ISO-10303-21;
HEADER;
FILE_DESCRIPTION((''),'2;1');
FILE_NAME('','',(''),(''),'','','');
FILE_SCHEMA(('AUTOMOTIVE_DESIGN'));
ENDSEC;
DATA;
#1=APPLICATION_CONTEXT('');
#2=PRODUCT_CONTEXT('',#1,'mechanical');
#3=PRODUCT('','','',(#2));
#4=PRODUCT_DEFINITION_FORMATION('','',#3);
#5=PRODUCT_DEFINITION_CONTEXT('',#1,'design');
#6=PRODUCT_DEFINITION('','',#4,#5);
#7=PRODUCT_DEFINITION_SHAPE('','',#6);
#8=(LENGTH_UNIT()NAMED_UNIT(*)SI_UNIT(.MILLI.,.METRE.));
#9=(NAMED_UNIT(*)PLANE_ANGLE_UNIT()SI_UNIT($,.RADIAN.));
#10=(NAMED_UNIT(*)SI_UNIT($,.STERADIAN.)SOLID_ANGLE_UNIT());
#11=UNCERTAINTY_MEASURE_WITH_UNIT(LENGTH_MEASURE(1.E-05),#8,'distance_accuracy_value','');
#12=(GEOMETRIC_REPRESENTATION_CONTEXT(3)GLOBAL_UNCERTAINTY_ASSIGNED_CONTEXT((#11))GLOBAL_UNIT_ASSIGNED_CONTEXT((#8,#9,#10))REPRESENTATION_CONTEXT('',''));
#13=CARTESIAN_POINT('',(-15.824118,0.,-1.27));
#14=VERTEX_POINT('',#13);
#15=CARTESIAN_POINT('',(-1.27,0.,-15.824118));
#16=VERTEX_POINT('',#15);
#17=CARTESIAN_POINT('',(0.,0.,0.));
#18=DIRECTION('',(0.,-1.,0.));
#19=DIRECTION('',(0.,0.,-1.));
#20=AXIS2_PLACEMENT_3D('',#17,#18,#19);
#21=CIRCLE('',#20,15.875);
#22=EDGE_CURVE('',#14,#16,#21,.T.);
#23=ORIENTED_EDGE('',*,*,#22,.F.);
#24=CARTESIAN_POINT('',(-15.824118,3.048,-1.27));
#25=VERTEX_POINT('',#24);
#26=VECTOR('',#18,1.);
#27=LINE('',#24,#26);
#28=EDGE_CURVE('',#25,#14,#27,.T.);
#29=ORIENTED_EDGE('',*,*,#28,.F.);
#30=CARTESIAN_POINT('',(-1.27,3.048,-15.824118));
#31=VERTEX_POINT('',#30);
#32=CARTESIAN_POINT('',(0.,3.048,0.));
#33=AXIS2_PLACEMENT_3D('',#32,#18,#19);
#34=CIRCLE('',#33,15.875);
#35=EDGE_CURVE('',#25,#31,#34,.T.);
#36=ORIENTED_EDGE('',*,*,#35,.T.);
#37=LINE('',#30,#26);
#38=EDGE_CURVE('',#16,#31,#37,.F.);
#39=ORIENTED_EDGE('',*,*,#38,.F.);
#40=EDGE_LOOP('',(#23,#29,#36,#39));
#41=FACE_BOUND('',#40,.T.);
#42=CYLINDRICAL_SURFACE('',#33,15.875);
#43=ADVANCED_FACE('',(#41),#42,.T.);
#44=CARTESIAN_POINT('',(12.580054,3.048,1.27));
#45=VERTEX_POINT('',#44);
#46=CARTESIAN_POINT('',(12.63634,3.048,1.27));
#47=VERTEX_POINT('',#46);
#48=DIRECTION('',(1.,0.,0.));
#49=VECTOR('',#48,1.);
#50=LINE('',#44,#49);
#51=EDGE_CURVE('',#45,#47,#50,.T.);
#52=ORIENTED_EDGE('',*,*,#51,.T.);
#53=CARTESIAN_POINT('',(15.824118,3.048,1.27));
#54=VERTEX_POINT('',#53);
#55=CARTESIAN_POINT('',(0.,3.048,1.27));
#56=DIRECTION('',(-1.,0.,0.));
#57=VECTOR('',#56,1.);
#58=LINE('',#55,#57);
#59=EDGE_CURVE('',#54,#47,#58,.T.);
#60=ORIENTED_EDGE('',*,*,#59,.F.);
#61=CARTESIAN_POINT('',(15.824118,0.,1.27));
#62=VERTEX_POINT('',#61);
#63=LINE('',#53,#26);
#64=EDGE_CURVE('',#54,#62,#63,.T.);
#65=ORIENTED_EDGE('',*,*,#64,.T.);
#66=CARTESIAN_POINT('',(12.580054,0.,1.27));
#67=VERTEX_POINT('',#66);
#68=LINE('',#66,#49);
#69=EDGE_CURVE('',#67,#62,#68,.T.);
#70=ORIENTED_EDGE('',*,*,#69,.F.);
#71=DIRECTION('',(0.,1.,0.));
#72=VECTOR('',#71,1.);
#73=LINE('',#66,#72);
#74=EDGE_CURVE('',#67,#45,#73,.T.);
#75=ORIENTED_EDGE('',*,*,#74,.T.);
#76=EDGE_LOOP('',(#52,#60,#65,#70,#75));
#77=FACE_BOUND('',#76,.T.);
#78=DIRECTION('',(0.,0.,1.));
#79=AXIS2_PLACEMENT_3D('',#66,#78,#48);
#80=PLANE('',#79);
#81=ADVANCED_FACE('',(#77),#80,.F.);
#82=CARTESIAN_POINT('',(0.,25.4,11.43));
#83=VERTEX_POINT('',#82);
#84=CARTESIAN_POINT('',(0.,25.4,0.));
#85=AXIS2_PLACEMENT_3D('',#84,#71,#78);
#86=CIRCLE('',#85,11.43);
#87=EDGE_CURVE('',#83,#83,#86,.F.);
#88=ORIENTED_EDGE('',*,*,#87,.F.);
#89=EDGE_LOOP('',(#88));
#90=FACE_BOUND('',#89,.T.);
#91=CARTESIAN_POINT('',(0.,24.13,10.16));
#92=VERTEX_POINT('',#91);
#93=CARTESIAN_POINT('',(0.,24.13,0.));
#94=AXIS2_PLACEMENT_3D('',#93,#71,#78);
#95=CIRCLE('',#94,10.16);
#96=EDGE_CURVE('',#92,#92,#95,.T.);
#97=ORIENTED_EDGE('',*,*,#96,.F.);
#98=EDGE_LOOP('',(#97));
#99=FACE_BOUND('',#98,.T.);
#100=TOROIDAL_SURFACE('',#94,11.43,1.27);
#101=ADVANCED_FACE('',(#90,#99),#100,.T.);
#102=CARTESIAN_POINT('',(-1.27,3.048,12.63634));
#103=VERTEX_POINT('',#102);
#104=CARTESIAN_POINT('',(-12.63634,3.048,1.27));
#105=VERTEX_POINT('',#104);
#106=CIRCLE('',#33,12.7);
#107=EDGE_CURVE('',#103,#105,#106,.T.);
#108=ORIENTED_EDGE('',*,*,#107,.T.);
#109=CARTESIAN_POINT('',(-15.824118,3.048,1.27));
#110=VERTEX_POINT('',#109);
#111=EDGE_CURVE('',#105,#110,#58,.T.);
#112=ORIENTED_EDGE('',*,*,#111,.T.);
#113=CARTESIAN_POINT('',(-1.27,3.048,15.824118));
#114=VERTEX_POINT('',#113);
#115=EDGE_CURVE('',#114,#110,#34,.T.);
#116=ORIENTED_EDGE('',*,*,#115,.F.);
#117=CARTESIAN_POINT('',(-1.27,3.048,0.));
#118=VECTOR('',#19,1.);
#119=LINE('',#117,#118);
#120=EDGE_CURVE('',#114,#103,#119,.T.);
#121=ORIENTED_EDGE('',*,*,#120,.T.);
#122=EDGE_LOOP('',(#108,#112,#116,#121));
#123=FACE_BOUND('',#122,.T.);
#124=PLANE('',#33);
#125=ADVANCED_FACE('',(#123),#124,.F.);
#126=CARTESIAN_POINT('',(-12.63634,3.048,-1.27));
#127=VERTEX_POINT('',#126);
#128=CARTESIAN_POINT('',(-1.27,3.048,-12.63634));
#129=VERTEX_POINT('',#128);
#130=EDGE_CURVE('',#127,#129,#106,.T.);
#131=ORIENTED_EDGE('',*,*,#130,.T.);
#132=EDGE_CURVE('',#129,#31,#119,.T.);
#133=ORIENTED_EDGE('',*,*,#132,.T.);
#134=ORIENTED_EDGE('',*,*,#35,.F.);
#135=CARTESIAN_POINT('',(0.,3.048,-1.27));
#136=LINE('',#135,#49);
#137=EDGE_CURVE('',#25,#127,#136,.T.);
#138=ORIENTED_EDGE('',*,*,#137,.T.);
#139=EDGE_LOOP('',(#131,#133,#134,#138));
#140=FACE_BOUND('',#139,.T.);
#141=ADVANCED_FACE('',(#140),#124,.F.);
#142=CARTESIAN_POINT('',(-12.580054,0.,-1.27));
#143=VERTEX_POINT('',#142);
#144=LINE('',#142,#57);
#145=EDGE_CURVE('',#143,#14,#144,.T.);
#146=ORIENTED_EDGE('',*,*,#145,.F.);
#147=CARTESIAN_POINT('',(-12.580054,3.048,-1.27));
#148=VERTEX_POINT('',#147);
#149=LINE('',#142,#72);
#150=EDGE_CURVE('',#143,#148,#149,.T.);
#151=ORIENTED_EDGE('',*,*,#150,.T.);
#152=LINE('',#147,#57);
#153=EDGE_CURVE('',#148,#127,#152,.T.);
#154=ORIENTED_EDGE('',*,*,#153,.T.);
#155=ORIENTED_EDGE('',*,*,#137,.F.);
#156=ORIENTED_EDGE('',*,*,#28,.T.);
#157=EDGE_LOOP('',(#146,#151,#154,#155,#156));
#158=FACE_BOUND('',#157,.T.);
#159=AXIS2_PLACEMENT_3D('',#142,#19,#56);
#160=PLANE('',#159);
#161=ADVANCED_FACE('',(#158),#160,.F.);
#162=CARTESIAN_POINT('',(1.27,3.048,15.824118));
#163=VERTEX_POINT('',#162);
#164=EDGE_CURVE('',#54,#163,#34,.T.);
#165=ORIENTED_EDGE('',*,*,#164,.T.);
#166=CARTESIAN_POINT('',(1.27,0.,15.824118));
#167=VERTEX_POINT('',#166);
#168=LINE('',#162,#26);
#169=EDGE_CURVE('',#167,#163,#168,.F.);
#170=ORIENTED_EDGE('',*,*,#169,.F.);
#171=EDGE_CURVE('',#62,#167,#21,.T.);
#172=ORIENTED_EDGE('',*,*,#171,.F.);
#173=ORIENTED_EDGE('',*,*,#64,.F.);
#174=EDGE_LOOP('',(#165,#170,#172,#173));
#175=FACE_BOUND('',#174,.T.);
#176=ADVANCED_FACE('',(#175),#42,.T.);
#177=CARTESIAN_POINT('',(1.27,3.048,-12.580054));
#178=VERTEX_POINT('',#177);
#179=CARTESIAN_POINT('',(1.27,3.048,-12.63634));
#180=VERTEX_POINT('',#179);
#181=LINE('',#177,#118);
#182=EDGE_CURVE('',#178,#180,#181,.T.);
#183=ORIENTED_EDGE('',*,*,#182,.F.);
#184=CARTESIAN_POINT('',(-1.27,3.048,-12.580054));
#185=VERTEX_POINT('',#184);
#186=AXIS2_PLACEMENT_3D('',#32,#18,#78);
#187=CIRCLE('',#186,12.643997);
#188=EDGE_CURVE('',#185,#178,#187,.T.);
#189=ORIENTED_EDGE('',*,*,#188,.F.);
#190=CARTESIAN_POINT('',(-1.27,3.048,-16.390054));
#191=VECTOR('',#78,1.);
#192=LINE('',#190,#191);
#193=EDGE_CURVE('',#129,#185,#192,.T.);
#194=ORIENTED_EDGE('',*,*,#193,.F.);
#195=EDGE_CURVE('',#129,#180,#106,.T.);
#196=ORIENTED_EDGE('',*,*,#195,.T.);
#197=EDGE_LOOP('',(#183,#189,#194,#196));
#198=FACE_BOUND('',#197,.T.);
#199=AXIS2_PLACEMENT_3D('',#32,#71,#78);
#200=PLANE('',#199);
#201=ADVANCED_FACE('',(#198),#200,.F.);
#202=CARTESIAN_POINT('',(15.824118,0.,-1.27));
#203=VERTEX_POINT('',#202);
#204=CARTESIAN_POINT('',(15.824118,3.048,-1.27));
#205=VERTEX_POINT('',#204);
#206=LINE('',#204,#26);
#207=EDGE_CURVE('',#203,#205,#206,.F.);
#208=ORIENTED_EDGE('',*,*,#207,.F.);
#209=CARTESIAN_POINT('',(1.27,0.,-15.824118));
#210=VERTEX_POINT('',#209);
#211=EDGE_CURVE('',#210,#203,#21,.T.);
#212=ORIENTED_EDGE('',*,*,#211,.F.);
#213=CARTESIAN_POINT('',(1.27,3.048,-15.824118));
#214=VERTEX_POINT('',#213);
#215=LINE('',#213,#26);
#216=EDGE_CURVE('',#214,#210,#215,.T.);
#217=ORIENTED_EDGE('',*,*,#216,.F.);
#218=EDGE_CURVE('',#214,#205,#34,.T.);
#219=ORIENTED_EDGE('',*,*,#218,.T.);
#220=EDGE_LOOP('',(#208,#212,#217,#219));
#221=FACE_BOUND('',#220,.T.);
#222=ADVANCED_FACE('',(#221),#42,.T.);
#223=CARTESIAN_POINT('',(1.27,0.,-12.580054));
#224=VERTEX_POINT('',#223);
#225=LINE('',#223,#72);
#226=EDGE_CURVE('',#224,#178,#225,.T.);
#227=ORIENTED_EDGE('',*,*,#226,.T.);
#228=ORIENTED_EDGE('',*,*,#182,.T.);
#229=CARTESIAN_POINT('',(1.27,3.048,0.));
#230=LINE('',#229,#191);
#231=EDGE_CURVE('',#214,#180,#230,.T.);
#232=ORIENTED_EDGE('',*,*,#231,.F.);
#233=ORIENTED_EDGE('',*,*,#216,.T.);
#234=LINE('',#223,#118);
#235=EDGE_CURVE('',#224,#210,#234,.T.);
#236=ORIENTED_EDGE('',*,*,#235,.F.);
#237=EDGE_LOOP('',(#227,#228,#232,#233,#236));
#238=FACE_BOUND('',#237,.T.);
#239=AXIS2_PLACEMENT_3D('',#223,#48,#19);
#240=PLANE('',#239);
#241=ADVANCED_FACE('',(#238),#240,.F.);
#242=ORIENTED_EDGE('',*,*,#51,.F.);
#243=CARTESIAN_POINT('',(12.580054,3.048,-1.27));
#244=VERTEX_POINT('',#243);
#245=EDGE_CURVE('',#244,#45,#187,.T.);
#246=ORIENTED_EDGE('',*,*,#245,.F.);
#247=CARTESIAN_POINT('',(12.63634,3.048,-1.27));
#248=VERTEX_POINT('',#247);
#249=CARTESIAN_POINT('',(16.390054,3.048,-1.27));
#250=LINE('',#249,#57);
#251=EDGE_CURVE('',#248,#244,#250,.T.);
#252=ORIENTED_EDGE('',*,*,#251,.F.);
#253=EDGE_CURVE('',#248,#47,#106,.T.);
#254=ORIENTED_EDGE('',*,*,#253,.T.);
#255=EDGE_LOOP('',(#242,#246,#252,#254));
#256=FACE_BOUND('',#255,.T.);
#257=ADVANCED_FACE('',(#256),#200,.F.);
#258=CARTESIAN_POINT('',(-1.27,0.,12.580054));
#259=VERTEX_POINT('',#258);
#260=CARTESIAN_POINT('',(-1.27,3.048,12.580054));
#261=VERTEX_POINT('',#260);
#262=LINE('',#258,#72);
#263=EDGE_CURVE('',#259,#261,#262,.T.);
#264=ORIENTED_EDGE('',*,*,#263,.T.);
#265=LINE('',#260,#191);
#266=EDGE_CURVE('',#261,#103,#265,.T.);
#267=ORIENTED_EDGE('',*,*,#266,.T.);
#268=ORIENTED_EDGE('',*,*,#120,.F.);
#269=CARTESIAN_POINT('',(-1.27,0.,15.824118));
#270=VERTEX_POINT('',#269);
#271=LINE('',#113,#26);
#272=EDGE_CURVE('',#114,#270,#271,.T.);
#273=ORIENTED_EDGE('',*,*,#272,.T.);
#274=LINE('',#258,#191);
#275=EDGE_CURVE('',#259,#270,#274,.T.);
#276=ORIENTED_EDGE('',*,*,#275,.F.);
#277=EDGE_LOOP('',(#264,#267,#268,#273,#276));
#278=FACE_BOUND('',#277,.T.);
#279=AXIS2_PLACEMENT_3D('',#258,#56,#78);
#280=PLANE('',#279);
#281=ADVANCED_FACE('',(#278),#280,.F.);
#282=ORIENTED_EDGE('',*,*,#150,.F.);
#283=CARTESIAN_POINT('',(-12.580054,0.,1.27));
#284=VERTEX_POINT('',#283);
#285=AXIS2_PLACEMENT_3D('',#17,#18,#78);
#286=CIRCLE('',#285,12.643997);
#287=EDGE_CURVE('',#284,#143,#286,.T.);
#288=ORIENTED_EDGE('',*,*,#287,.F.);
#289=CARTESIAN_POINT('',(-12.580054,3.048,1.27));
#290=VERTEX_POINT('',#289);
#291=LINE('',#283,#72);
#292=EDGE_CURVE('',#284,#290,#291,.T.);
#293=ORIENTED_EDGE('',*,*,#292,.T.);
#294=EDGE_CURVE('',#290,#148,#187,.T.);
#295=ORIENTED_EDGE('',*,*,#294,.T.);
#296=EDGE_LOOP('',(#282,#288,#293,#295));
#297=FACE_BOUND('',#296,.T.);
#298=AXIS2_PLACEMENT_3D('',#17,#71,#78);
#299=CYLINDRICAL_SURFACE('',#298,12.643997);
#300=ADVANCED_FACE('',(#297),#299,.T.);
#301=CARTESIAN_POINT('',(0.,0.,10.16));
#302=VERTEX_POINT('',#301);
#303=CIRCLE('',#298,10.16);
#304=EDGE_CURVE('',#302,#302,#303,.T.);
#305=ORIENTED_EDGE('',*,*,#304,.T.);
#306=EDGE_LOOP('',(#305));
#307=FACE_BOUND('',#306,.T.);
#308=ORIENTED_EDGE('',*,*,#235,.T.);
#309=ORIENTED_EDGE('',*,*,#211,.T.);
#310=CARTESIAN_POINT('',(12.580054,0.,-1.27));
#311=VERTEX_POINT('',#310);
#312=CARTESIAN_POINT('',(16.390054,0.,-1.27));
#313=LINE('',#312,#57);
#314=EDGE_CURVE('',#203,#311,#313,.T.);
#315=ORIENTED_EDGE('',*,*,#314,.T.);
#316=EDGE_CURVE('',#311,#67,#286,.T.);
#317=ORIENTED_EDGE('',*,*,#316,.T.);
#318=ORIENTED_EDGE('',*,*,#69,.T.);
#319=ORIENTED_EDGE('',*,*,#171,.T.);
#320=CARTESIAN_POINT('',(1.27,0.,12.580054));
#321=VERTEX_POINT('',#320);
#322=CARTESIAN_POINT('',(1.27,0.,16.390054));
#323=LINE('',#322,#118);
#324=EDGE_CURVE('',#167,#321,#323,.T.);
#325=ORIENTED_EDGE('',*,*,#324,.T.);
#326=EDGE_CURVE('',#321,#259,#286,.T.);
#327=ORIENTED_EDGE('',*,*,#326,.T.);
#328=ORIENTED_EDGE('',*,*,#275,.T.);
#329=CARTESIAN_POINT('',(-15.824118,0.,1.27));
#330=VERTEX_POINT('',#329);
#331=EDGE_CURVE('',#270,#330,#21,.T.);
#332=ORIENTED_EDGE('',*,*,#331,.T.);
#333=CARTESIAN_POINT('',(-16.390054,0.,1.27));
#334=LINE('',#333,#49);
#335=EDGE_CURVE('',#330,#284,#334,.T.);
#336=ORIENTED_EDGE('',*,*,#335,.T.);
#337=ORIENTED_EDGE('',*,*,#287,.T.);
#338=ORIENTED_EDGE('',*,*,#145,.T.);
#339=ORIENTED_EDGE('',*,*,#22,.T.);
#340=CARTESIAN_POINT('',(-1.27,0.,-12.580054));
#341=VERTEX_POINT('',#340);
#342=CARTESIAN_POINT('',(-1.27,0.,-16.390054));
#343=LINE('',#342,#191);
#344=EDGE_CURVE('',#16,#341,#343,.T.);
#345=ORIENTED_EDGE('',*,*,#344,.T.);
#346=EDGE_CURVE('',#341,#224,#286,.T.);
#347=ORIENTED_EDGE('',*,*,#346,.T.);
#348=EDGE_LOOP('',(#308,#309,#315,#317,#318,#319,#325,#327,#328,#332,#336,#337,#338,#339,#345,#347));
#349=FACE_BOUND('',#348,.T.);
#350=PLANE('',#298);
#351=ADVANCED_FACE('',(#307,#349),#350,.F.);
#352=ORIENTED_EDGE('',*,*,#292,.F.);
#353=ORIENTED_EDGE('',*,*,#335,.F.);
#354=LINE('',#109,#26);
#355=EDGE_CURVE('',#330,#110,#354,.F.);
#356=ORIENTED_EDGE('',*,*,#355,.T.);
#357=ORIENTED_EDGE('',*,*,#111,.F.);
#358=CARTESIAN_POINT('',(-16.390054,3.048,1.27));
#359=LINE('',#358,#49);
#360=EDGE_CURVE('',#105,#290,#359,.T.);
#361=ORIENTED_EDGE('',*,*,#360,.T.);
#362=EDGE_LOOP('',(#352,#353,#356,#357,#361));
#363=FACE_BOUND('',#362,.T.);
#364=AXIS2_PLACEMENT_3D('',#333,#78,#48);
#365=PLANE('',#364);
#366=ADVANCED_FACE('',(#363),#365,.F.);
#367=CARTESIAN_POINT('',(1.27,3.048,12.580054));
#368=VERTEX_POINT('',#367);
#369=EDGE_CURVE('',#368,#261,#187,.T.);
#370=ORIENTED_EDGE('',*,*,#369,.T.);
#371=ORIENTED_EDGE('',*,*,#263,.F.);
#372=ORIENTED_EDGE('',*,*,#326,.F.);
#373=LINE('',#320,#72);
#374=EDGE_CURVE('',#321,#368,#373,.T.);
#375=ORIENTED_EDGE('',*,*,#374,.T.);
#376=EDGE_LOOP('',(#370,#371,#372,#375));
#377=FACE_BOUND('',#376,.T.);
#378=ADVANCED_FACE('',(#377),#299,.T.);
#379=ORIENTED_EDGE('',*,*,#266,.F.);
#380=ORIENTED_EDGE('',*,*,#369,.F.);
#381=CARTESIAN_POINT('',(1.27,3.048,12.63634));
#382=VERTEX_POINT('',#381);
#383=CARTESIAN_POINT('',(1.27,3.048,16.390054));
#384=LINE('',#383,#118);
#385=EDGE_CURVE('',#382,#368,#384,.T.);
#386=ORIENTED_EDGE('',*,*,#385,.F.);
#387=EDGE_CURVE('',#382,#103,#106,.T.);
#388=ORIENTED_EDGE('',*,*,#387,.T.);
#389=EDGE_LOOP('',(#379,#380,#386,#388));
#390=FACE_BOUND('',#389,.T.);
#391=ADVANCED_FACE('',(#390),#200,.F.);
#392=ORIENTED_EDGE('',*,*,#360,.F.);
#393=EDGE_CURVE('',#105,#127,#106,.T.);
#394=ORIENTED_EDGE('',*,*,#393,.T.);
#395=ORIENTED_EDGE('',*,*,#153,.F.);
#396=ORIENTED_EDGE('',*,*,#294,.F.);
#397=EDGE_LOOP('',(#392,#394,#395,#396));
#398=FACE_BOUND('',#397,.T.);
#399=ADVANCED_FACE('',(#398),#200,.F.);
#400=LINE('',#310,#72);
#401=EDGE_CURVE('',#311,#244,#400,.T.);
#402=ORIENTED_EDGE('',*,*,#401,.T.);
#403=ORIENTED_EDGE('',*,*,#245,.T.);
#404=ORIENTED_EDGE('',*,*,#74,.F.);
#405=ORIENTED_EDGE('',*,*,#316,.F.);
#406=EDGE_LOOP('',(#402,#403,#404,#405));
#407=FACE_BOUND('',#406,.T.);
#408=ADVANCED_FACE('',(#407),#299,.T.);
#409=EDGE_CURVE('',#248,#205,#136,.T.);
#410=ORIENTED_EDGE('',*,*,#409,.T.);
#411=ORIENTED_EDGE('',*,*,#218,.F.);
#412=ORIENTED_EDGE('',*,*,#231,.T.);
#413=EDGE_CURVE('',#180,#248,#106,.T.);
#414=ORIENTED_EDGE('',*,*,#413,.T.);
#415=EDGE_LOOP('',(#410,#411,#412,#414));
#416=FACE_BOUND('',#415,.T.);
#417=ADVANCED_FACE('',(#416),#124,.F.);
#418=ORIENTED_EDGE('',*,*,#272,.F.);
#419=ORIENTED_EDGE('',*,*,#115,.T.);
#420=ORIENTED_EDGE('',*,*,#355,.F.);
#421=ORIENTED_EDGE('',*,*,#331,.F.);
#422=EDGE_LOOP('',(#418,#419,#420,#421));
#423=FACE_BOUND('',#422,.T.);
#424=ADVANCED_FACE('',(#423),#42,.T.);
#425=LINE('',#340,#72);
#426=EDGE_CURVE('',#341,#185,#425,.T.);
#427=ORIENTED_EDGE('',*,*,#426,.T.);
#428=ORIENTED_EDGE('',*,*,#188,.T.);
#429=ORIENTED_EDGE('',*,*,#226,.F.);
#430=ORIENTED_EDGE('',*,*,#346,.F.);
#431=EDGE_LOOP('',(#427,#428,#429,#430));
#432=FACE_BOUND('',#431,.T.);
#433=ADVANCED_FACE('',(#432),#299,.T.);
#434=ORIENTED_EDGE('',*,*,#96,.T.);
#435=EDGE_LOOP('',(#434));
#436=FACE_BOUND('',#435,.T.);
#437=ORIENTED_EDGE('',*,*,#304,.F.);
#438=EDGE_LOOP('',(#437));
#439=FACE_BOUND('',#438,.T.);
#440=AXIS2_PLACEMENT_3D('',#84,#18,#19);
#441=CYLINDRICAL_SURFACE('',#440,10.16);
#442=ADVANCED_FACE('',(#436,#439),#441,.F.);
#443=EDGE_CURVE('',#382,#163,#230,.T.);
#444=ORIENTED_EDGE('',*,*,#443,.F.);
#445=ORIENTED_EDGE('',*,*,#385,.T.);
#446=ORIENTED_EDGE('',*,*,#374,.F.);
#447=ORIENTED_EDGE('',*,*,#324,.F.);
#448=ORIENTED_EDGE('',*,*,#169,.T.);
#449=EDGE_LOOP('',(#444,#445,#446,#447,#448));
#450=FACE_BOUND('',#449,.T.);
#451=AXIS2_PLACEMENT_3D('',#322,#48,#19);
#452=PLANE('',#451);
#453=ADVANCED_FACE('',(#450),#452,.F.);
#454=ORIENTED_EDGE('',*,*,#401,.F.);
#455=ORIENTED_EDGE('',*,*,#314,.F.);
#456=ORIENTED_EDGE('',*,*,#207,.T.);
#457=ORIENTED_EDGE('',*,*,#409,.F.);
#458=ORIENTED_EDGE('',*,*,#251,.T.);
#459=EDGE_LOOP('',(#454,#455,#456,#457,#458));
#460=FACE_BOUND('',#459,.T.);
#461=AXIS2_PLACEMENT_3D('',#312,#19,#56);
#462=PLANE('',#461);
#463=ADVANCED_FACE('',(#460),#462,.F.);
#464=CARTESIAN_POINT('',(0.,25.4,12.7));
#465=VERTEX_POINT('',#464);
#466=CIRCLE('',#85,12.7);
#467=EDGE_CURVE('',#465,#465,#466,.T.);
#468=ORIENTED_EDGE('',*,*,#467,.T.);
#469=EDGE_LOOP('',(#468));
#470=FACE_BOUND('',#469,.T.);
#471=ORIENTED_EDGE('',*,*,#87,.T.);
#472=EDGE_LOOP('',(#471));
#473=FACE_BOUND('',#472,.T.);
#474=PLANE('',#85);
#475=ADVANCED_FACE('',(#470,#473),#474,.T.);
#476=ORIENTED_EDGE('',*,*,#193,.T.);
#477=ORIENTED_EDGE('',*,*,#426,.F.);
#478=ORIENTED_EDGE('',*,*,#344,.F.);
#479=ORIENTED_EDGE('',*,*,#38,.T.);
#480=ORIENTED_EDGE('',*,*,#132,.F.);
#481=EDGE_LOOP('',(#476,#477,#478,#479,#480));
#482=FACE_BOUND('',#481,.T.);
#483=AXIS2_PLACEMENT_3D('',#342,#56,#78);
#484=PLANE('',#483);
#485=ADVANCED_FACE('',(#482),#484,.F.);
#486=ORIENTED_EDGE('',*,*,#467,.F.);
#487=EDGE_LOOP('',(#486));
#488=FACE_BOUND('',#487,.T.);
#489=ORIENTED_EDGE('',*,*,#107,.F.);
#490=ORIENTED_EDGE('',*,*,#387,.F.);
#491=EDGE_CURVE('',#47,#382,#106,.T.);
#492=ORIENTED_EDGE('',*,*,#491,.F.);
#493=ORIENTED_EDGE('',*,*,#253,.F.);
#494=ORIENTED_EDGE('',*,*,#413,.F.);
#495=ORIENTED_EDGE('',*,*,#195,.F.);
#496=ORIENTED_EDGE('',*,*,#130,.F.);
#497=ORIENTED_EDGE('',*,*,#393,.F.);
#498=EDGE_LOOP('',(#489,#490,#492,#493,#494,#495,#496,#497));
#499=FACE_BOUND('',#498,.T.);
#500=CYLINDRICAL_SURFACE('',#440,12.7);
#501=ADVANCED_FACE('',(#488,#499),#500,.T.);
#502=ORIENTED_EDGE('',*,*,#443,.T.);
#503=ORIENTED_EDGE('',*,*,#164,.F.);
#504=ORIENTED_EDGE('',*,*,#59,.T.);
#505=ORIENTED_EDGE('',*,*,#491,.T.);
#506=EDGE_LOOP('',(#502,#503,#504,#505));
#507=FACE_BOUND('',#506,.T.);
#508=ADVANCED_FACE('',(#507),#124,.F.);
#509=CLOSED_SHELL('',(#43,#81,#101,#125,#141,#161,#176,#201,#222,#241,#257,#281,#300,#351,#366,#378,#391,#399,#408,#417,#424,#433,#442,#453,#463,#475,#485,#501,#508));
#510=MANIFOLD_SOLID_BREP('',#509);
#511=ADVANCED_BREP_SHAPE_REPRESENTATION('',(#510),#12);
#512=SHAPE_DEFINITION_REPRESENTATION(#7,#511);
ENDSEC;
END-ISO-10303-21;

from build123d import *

# Parameters (mm, degrees)
SKETCH1_R           = 12.7
SKETCH1_R_2         = 10.16
BOSS_EXTRUDE1_DEPTH = 25.4
FILLET1_R           = 1.27
SKETCH2_R           = 15.875
SKETCH2_R_2         = 12.7
BOSS_EXTRUDE2_DEPTH = 3.048
CUT_EXTRUDE1_DEPTH  = 3.048


with BuildPart() as part:
    # Sketch1 → Boss-Extrude1 (new body)
    with BuildSketch(Plane(origin=(0, 0, 0), x_dir=(1, 0, 0), z_dir=(0, 1, 0))):
        with Locations(Location((0, 0, 0), (0, 0, 270))):
            Circle(SKETCH1_R)
        with Locations(Location((0, 0, 0), (0, 0, 270))):
            Circle(SKETCH1_R_2, mode=Mode.SUBTRACT)
    extrude(amount=BOSS_EXTRUDE1_DEPTH)

    # Fillet1
    fillet1_edges = [part.edges().sort_by_distance(p)[0] for p in [
        (0, 25.4, -10.16),
    ]]
    fillet(fillet1_edges, radius=FILLET1_R)

    # Sketch2 → Boss-Extrude2 (add)
    with BuildSketch(Plane.XZ):
        with Locations(Location((0, 0, 0), (0, 0, 270))):
            Circle(SKETCH2_R)
        with Locations(Location((0, 0, 0), (0, 0, 270))):
            Circle(SKETCH2_R_2, mode=Mode.SUBTRACT)
    extrude(amount=-BOSS_EXTRUDE2_DEPTH)

    # Sketch3 → Cut-Extrude1 (cut)
    with BuildSketch(Plane(origin=(0, 3.048, 0), x_dir=(1, 0, 0), z_dir=(0, 1, 0))):
        with BuildLine():
            Line((-1.27, 16.390053577), (-1.27, 12.580053577))
            ThreePointArc((-1.27, 12.580053577), (0, 12.64399652), (1.27, 12.580053577))
            Line((1.27, 12.580053577), (1.27, 16.390053577))
            Line((1.27, 16.390053577), (-1.27, 16.390053577))
        make_face()
        with BuildLine():
            Line((12.580053577, -1.27), (16.390053577, -1.27))
            Line((16.390053577, -1.27), (16.390053577, 1.27))
            Line((16.390053577, 1.27), (12.580053577, 1.27))
            ThreePointArc((12.580053577, 1.27), (12.64399652, 0), (12.580053577, -1.27))
        make_face()
        with BuildLine():
            Line((-1.27, -12.580053577), (-1.27, -16.390053577))
            Line((-1.27, -16.390053577), (1.27, -16.390053577))
            Line((1.27, -16.390053577), (1.27, -12.580053577))
            ThreePointArc((1.27, -12.580053577), (0, -12.64399652), (-1.27, -12.580053577))
        make_face()
        with BuildLine():
            Line((-12.580053577, 1.27), (-16.390053577, 1.27))
            Line((-16.390053577, 1.27), (-16.390053577, -1.27))
            Line((-16.390053577, -1.27), (-12.580053577, -1.27))
            ThreePointArc((-12.580053577, -1.27), (-12.64399652, 0), (-12.580053577, 1.27))
        make_face()
    extrude(amount=-CUT_EXTRUDE1_DEPTH, mode=Mode.SUBTRACT)


solid = part.part
